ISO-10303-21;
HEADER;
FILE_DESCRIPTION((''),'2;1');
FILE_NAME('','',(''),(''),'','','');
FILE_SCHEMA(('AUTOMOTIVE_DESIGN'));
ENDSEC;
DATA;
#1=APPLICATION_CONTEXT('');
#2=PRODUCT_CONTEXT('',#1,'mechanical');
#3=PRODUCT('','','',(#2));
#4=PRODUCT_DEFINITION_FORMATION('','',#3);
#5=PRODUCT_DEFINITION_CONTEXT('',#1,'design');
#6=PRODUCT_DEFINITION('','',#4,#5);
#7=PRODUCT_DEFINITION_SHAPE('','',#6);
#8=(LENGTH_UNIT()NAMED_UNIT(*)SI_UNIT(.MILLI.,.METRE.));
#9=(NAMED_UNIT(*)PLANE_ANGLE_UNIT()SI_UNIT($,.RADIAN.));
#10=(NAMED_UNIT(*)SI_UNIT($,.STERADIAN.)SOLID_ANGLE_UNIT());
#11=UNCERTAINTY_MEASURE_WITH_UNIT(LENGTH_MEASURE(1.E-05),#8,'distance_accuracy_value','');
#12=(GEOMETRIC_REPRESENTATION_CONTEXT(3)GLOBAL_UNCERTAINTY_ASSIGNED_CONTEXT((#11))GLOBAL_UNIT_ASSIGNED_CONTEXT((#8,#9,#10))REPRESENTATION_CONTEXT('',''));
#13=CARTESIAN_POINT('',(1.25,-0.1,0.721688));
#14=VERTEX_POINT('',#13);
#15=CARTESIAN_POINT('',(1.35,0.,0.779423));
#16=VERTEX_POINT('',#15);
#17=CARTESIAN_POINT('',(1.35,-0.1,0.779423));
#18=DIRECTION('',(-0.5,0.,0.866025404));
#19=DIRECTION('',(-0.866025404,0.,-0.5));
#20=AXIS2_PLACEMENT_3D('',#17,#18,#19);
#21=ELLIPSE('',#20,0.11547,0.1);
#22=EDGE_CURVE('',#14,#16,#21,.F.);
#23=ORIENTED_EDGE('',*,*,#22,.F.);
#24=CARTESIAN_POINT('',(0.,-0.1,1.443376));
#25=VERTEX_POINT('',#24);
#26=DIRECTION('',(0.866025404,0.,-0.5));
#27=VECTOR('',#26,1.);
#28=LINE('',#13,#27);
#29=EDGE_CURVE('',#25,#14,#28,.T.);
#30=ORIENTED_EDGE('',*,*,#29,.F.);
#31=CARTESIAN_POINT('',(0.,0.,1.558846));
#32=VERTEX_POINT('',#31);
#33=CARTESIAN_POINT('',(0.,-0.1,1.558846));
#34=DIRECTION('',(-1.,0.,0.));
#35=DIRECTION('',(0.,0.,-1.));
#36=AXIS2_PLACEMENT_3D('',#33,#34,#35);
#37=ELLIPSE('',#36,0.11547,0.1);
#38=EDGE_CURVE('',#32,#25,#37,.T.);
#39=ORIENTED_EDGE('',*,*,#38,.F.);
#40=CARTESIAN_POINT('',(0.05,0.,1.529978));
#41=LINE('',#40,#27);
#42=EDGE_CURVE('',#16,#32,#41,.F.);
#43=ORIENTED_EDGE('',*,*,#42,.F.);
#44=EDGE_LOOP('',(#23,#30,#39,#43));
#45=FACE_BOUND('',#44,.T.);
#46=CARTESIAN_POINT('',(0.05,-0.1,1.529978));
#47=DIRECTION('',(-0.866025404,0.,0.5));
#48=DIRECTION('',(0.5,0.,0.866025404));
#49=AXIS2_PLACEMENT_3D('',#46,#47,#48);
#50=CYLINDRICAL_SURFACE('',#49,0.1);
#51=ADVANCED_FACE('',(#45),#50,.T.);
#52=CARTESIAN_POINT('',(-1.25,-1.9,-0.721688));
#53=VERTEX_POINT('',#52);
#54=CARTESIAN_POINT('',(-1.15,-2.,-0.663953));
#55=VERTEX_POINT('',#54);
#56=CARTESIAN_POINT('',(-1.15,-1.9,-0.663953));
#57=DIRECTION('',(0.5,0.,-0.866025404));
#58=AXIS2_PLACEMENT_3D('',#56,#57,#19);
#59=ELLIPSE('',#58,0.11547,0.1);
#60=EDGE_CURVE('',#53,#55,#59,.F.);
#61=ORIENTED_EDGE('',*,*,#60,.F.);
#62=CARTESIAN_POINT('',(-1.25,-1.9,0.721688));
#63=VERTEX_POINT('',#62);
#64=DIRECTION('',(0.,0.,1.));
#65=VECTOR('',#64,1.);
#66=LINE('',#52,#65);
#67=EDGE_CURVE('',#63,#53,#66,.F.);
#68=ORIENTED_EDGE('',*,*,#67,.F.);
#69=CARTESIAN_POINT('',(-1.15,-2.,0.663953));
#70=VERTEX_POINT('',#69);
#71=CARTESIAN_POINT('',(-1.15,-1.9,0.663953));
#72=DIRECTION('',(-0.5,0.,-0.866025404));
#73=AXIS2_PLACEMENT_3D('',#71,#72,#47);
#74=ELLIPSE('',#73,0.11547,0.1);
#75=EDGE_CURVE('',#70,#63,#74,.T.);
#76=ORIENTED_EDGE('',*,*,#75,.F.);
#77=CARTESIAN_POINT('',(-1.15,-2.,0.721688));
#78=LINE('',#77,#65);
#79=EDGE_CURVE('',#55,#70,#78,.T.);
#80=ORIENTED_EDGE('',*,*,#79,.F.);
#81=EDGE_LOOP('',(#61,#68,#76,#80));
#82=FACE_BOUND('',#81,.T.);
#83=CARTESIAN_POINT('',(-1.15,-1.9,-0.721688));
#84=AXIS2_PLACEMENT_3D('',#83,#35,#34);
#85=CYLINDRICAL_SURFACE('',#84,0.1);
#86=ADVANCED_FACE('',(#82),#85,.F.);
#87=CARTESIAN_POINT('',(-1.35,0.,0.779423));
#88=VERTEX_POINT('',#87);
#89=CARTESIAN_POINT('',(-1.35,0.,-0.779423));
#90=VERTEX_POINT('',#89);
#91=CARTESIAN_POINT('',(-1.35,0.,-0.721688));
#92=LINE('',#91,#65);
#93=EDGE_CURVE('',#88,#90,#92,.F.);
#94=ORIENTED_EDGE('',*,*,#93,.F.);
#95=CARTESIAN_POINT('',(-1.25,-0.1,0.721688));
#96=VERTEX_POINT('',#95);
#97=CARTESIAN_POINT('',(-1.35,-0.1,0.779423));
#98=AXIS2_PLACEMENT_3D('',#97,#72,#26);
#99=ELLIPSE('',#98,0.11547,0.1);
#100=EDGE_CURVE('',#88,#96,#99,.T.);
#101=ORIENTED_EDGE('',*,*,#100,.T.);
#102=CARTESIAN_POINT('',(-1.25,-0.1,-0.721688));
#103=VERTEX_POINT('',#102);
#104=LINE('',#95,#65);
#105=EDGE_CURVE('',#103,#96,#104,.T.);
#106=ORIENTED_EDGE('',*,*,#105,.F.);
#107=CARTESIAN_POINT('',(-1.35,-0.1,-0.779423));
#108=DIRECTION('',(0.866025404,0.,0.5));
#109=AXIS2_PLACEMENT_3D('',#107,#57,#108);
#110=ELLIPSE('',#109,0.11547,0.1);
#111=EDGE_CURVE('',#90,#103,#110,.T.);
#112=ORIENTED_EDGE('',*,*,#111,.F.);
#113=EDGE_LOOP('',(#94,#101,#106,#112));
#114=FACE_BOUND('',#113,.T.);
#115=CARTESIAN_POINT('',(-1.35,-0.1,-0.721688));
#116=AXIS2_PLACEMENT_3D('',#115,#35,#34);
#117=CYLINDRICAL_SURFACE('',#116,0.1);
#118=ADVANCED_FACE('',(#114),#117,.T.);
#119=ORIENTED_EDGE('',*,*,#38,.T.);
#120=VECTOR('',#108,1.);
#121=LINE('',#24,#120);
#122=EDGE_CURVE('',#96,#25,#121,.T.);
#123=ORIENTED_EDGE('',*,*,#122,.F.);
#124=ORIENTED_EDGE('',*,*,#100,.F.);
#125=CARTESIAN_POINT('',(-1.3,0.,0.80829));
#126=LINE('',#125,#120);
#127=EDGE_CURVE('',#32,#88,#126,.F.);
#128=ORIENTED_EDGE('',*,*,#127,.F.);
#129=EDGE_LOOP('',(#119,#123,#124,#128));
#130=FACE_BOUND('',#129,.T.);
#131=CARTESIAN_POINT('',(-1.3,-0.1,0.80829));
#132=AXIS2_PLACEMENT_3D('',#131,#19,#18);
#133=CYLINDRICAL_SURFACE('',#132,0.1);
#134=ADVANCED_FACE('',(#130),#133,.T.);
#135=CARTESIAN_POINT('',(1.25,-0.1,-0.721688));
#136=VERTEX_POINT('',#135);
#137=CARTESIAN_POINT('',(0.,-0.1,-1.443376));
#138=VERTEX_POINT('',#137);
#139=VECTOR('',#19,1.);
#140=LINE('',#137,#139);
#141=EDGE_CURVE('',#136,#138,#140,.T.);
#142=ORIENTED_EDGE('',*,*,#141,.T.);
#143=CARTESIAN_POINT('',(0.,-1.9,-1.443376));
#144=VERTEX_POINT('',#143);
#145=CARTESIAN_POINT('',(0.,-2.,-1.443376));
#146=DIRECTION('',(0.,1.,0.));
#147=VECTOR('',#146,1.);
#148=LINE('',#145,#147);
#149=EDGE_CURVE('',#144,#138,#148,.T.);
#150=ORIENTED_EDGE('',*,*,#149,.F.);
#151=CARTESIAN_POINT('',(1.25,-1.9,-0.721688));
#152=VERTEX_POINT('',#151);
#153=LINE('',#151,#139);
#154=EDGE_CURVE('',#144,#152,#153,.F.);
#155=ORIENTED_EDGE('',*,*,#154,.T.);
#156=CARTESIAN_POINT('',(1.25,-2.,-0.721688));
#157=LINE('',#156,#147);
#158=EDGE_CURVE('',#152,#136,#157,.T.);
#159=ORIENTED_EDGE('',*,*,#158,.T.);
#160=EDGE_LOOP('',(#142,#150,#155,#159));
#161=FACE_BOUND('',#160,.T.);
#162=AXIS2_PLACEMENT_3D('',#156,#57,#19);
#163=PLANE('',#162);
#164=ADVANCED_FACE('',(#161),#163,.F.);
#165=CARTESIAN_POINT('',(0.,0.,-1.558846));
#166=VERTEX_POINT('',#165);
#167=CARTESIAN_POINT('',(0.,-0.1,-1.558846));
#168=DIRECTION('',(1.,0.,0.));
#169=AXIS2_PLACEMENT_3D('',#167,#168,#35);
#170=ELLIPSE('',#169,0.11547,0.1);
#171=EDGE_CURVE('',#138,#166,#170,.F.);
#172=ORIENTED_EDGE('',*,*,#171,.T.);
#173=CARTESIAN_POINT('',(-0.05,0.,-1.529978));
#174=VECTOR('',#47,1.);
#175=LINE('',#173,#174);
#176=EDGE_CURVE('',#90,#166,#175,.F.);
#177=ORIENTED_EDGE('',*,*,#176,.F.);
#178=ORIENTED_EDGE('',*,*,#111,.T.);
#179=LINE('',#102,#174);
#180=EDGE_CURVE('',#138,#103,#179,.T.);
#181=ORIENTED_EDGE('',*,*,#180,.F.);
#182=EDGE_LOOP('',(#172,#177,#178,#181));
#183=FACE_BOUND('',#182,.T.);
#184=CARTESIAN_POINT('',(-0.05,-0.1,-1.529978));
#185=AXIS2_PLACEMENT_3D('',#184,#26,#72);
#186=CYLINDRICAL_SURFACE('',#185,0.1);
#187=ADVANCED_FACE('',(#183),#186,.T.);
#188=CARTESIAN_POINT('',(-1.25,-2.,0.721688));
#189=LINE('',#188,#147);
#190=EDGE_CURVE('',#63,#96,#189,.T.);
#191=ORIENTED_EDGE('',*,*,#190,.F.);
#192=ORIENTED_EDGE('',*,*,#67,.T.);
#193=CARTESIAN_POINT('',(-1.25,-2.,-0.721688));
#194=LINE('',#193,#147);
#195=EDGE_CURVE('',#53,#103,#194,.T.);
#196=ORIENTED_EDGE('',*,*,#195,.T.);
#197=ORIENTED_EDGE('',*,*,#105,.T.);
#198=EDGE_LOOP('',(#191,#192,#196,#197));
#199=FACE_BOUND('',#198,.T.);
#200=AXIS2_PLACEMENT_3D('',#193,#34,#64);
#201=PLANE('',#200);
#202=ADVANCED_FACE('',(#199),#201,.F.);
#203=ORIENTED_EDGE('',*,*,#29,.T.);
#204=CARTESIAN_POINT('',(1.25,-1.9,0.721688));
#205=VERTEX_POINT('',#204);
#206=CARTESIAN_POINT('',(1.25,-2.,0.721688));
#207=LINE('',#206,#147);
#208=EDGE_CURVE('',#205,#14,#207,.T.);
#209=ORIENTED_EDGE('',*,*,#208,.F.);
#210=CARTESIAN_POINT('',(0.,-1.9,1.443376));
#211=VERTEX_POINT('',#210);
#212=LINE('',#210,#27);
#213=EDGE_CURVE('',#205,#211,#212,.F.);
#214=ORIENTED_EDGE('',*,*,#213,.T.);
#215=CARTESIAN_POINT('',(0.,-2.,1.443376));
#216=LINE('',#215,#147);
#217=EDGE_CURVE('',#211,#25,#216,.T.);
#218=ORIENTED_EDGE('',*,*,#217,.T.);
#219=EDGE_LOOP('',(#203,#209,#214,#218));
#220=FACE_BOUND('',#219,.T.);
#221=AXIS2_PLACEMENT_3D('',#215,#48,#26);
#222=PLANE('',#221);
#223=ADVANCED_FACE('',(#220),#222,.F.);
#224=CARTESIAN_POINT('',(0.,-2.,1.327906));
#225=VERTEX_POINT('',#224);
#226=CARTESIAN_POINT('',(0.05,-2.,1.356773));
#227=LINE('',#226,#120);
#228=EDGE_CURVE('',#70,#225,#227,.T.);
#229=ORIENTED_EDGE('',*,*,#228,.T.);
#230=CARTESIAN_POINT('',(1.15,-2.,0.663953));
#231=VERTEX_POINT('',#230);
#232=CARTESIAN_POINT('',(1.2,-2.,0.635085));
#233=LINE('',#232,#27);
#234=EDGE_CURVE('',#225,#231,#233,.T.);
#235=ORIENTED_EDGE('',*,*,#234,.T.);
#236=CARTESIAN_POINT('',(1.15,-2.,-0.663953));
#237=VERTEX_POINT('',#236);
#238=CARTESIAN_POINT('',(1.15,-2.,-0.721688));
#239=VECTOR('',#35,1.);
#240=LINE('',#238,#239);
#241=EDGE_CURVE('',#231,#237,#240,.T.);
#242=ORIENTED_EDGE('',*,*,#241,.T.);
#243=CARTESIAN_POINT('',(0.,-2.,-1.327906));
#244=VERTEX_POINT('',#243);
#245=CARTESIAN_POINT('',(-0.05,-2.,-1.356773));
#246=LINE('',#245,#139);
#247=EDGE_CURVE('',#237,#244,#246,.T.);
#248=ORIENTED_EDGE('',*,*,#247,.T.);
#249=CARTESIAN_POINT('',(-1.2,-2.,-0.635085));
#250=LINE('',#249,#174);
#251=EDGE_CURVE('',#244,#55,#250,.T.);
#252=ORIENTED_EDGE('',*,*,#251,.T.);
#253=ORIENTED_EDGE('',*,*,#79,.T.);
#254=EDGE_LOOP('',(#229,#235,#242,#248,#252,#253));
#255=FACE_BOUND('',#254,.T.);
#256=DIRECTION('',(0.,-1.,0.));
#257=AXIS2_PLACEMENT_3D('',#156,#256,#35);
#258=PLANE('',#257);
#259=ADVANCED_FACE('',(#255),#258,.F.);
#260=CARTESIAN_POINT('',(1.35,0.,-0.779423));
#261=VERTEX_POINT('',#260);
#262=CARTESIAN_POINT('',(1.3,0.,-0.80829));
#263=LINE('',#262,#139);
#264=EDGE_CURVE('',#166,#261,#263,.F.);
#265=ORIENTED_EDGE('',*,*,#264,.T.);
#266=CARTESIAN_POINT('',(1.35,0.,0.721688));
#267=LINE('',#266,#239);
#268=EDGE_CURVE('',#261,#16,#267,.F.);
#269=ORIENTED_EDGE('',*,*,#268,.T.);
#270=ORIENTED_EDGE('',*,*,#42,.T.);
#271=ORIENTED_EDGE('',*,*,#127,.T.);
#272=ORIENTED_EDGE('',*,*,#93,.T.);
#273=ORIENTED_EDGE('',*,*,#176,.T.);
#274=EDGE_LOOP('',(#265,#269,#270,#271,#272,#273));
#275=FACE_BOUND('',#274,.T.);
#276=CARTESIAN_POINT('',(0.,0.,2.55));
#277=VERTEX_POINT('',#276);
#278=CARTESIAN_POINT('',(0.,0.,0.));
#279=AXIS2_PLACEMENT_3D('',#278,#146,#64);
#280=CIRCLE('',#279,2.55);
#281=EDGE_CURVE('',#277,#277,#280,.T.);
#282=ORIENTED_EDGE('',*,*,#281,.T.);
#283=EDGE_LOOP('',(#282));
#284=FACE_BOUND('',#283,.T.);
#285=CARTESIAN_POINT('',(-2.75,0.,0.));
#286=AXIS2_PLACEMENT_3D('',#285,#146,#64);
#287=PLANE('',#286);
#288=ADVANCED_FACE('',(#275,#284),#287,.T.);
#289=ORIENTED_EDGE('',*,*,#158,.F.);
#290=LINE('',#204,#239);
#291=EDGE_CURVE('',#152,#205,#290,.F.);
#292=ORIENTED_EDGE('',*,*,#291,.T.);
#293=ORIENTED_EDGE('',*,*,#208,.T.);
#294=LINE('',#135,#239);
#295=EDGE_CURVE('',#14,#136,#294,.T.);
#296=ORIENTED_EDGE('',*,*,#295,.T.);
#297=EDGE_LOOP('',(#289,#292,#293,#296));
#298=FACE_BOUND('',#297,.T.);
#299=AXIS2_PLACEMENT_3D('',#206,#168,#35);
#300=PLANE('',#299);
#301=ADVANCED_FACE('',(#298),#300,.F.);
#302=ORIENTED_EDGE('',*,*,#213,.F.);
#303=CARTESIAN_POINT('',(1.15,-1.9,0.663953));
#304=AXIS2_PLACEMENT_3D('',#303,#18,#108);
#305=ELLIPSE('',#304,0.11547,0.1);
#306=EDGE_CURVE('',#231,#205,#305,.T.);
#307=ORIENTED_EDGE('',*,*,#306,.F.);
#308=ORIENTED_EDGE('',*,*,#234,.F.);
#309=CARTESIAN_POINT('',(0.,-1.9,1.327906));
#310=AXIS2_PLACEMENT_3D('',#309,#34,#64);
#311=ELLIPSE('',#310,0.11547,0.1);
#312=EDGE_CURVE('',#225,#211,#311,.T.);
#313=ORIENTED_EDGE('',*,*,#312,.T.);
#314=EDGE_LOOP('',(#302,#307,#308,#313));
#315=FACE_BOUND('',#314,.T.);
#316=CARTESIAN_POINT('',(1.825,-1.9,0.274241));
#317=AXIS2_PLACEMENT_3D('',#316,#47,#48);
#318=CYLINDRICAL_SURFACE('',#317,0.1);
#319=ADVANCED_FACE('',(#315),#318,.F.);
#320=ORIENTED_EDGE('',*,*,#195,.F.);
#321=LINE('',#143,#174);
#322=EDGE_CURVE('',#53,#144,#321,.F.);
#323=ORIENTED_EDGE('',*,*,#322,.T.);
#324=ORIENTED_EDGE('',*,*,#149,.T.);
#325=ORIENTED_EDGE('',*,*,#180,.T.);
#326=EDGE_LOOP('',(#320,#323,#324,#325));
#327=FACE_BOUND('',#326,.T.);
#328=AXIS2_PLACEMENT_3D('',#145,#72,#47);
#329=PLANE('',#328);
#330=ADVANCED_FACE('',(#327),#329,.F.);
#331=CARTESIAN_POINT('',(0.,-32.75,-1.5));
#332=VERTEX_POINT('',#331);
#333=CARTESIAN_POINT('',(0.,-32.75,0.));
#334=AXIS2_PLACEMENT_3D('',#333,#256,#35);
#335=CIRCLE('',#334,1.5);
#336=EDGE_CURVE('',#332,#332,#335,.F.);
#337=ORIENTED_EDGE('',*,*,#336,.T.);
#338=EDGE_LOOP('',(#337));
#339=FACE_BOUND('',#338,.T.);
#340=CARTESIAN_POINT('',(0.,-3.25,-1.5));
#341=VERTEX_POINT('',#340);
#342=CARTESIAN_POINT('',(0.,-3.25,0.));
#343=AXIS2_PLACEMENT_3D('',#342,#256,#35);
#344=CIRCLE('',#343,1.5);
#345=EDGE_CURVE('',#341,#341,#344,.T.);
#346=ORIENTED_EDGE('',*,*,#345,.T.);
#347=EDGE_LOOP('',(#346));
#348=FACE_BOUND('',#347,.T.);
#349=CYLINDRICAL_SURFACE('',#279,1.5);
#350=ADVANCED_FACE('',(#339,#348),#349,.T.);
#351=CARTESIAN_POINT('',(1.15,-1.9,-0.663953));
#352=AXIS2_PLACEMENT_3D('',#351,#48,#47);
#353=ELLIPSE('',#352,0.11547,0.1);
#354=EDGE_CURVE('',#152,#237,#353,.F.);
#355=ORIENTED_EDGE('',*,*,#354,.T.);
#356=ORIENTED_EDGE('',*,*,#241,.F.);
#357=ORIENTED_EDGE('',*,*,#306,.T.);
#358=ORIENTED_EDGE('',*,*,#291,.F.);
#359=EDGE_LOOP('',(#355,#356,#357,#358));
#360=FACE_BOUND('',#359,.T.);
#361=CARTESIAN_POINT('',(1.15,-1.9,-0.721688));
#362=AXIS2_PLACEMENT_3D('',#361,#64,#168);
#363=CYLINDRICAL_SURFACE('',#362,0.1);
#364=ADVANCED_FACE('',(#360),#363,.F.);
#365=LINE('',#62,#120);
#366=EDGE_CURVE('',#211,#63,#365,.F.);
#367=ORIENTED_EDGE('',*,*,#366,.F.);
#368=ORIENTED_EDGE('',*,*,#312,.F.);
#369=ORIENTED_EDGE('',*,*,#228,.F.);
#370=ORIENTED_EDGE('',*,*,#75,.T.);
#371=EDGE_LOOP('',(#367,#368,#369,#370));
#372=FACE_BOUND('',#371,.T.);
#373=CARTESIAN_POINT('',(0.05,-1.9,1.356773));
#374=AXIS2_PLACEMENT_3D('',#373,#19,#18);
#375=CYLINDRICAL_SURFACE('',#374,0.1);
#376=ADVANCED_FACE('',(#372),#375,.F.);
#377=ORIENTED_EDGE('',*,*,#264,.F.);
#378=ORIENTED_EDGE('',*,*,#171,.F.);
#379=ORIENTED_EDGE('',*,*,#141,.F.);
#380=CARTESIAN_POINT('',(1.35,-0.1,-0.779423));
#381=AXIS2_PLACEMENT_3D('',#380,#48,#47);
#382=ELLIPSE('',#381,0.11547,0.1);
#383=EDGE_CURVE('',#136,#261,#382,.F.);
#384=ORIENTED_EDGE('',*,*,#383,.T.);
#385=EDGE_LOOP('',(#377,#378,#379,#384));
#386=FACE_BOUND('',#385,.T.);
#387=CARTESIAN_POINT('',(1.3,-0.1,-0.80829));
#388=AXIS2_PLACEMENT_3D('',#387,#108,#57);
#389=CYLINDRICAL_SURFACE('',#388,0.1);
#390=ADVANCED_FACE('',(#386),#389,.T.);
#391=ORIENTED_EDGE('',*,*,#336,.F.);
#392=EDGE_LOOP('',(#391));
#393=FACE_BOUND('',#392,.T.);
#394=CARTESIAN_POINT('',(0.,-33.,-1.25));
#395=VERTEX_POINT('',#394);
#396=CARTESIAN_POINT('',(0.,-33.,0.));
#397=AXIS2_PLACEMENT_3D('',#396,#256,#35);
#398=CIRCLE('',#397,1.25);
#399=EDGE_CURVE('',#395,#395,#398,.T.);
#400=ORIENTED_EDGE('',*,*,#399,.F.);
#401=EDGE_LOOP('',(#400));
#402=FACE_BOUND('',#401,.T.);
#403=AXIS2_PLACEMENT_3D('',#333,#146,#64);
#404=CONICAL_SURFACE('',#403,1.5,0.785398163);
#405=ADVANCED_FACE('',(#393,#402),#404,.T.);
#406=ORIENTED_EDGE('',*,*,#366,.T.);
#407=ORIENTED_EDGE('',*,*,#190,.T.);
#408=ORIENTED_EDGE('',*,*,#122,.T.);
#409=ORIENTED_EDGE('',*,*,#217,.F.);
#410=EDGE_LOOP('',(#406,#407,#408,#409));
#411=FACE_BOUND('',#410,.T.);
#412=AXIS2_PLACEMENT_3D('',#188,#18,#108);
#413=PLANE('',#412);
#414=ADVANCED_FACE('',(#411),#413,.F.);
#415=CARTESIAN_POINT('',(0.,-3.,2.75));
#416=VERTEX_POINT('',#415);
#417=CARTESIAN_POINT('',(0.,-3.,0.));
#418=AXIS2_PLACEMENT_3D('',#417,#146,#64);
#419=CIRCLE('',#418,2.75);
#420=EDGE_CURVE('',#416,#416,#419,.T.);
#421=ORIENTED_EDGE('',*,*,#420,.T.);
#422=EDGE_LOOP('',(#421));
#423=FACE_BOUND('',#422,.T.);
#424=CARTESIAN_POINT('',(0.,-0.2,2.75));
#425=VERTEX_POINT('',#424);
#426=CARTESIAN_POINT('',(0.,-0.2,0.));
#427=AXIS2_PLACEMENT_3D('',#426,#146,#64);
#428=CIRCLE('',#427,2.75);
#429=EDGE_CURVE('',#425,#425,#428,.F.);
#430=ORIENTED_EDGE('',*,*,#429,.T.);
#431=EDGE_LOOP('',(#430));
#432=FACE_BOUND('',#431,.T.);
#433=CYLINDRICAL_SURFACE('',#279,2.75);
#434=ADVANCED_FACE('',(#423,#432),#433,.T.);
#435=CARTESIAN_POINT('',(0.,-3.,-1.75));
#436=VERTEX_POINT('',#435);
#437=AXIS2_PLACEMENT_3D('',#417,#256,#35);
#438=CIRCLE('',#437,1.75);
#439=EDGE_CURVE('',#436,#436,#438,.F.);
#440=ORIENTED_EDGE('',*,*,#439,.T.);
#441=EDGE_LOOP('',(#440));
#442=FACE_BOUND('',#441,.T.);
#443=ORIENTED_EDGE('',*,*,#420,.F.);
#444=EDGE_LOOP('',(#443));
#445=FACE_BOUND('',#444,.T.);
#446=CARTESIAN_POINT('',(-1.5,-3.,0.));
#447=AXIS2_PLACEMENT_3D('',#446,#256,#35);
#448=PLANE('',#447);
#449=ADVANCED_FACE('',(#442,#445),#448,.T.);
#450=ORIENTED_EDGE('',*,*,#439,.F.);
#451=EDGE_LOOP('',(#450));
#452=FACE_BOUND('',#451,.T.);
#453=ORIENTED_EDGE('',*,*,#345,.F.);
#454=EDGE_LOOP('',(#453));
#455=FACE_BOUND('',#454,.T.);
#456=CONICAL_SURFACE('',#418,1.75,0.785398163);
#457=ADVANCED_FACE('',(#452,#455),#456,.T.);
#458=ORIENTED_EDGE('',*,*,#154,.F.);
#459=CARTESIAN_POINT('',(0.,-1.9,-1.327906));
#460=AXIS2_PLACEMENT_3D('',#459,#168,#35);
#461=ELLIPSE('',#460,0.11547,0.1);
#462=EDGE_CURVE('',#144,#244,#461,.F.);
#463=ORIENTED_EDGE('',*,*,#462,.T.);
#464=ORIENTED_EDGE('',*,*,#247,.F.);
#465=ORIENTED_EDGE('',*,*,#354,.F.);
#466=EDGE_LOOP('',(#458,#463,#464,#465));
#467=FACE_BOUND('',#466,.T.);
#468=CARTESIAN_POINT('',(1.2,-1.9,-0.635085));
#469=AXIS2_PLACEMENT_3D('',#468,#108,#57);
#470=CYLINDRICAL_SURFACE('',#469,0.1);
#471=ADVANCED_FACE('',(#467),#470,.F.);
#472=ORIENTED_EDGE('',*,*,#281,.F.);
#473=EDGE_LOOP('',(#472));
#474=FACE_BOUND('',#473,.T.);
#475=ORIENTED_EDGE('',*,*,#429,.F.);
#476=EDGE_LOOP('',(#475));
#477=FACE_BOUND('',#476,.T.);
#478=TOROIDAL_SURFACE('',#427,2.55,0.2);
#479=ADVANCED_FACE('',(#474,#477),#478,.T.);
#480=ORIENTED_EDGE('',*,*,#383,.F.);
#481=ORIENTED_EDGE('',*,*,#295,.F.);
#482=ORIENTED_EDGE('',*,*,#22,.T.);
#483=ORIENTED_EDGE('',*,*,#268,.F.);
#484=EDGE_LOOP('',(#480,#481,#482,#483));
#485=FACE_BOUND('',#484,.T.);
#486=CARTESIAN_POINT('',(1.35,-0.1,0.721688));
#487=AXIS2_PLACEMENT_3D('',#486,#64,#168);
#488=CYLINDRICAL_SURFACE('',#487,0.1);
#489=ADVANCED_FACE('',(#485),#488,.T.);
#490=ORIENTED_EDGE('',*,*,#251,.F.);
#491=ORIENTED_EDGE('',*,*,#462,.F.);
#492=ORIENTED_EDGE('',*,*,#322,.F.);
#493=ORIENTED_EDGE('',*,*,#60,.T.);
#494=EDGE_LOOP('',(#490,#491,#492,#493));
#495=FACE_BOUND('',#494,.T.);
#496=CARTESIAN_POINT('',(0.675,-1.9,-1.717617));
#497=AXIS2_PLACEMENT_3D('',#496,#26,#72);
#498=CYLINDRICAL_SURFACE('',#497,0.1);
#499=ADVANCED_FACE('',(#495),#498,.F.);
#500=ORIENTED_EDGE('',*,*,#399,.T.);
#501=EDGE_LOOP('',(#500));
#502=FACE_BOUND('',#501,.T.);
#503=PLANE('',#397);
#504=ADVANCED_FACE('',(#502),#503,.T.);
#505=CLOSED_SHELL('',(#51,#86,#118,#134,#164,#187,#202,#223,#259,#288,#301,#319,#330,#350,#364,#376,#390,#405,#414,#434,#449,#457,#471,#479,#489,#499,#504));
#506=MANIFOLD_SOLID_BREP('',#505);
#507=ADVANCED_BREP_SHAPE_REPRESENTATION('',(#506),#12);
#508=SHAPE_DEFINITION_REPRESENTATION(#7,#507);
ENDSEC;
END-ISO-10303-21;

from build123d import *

# Parameters (mm, degrees)
CHAMFER1_SIZE      = 0.25
FILLET1_R          = 0.2
CUT_EXTRUDE1_DEPTH = 2
FILLET2_R          = 0.1


with BuildPart() as part:
    # Sketch1 → Revolve1 (revolve)
    with BuildSketch(Plane.XY):
        Polygon((0, -33), (-1.5, -33), (-1.5, -3), (-2.75, -3), (-2.75, 0), (0, 0), align=None)
    revolve(axis=Axis((0, 0, 0), (0, -1, 0)))

    # Chamfer1
    chamfer1_edges = [part.edges().sort_by_distance(p)[0] for p in [
        (1.5, -3, 0),
        (1.5, -33, 0),
    ]]
    chamfer(chamfer1_edges, length=CHAMFER1_SIZE)

    # Fillet1
    fillet1_edges = [part.edges().sort_by_distance(p)[0] for p in [
        (2.75, 0, 0),
    ]]
    fillet(fillet1_edges, radius=FILLET1_R)

    # Sketch2 → Cut-Extrude1 (cut)
    with BuildSketch(Plane(origin=(0, 0, 0), x_dir=(1, 0, 0), z_dir=(0, 1, 0))):
        Polygon((0, 1.443375673), (-1.25, 0.721687836), (-1.25, -0.721687836), (0, -1.443375673), (1.25, -0.721687836), (1.25, 0.721687836), align=None)
    extrude(amount=-CUT_EXTRUDE1_DEPTH, mode=Mode.SUBTRACT)

    # Fillet2
    fillet2_edges = [part.edges().sort_by_distance(p)[0] for p in [
        (0.625, -2, -1.082531755),
        (1.25, -2, 0),
        (0.625, -2, 1.082531755),
        (-0.625, -2, 1.082531755),
        (-1.25, -2, 0),
        (-0.625, -2, -1.082531755),
        (0.625, 0, -1.082531755),
        (-0.625, 0, -1.082531755),
        (-1.25, 0, 0),
        (-0.625, 0, 1.082531755),
        (0.625, 0, 1.082531755),
        (1.25, 0, 0),
    ]]
    fillet(fillet2_edges, radius=FILLET2_R)


solid = part.part
